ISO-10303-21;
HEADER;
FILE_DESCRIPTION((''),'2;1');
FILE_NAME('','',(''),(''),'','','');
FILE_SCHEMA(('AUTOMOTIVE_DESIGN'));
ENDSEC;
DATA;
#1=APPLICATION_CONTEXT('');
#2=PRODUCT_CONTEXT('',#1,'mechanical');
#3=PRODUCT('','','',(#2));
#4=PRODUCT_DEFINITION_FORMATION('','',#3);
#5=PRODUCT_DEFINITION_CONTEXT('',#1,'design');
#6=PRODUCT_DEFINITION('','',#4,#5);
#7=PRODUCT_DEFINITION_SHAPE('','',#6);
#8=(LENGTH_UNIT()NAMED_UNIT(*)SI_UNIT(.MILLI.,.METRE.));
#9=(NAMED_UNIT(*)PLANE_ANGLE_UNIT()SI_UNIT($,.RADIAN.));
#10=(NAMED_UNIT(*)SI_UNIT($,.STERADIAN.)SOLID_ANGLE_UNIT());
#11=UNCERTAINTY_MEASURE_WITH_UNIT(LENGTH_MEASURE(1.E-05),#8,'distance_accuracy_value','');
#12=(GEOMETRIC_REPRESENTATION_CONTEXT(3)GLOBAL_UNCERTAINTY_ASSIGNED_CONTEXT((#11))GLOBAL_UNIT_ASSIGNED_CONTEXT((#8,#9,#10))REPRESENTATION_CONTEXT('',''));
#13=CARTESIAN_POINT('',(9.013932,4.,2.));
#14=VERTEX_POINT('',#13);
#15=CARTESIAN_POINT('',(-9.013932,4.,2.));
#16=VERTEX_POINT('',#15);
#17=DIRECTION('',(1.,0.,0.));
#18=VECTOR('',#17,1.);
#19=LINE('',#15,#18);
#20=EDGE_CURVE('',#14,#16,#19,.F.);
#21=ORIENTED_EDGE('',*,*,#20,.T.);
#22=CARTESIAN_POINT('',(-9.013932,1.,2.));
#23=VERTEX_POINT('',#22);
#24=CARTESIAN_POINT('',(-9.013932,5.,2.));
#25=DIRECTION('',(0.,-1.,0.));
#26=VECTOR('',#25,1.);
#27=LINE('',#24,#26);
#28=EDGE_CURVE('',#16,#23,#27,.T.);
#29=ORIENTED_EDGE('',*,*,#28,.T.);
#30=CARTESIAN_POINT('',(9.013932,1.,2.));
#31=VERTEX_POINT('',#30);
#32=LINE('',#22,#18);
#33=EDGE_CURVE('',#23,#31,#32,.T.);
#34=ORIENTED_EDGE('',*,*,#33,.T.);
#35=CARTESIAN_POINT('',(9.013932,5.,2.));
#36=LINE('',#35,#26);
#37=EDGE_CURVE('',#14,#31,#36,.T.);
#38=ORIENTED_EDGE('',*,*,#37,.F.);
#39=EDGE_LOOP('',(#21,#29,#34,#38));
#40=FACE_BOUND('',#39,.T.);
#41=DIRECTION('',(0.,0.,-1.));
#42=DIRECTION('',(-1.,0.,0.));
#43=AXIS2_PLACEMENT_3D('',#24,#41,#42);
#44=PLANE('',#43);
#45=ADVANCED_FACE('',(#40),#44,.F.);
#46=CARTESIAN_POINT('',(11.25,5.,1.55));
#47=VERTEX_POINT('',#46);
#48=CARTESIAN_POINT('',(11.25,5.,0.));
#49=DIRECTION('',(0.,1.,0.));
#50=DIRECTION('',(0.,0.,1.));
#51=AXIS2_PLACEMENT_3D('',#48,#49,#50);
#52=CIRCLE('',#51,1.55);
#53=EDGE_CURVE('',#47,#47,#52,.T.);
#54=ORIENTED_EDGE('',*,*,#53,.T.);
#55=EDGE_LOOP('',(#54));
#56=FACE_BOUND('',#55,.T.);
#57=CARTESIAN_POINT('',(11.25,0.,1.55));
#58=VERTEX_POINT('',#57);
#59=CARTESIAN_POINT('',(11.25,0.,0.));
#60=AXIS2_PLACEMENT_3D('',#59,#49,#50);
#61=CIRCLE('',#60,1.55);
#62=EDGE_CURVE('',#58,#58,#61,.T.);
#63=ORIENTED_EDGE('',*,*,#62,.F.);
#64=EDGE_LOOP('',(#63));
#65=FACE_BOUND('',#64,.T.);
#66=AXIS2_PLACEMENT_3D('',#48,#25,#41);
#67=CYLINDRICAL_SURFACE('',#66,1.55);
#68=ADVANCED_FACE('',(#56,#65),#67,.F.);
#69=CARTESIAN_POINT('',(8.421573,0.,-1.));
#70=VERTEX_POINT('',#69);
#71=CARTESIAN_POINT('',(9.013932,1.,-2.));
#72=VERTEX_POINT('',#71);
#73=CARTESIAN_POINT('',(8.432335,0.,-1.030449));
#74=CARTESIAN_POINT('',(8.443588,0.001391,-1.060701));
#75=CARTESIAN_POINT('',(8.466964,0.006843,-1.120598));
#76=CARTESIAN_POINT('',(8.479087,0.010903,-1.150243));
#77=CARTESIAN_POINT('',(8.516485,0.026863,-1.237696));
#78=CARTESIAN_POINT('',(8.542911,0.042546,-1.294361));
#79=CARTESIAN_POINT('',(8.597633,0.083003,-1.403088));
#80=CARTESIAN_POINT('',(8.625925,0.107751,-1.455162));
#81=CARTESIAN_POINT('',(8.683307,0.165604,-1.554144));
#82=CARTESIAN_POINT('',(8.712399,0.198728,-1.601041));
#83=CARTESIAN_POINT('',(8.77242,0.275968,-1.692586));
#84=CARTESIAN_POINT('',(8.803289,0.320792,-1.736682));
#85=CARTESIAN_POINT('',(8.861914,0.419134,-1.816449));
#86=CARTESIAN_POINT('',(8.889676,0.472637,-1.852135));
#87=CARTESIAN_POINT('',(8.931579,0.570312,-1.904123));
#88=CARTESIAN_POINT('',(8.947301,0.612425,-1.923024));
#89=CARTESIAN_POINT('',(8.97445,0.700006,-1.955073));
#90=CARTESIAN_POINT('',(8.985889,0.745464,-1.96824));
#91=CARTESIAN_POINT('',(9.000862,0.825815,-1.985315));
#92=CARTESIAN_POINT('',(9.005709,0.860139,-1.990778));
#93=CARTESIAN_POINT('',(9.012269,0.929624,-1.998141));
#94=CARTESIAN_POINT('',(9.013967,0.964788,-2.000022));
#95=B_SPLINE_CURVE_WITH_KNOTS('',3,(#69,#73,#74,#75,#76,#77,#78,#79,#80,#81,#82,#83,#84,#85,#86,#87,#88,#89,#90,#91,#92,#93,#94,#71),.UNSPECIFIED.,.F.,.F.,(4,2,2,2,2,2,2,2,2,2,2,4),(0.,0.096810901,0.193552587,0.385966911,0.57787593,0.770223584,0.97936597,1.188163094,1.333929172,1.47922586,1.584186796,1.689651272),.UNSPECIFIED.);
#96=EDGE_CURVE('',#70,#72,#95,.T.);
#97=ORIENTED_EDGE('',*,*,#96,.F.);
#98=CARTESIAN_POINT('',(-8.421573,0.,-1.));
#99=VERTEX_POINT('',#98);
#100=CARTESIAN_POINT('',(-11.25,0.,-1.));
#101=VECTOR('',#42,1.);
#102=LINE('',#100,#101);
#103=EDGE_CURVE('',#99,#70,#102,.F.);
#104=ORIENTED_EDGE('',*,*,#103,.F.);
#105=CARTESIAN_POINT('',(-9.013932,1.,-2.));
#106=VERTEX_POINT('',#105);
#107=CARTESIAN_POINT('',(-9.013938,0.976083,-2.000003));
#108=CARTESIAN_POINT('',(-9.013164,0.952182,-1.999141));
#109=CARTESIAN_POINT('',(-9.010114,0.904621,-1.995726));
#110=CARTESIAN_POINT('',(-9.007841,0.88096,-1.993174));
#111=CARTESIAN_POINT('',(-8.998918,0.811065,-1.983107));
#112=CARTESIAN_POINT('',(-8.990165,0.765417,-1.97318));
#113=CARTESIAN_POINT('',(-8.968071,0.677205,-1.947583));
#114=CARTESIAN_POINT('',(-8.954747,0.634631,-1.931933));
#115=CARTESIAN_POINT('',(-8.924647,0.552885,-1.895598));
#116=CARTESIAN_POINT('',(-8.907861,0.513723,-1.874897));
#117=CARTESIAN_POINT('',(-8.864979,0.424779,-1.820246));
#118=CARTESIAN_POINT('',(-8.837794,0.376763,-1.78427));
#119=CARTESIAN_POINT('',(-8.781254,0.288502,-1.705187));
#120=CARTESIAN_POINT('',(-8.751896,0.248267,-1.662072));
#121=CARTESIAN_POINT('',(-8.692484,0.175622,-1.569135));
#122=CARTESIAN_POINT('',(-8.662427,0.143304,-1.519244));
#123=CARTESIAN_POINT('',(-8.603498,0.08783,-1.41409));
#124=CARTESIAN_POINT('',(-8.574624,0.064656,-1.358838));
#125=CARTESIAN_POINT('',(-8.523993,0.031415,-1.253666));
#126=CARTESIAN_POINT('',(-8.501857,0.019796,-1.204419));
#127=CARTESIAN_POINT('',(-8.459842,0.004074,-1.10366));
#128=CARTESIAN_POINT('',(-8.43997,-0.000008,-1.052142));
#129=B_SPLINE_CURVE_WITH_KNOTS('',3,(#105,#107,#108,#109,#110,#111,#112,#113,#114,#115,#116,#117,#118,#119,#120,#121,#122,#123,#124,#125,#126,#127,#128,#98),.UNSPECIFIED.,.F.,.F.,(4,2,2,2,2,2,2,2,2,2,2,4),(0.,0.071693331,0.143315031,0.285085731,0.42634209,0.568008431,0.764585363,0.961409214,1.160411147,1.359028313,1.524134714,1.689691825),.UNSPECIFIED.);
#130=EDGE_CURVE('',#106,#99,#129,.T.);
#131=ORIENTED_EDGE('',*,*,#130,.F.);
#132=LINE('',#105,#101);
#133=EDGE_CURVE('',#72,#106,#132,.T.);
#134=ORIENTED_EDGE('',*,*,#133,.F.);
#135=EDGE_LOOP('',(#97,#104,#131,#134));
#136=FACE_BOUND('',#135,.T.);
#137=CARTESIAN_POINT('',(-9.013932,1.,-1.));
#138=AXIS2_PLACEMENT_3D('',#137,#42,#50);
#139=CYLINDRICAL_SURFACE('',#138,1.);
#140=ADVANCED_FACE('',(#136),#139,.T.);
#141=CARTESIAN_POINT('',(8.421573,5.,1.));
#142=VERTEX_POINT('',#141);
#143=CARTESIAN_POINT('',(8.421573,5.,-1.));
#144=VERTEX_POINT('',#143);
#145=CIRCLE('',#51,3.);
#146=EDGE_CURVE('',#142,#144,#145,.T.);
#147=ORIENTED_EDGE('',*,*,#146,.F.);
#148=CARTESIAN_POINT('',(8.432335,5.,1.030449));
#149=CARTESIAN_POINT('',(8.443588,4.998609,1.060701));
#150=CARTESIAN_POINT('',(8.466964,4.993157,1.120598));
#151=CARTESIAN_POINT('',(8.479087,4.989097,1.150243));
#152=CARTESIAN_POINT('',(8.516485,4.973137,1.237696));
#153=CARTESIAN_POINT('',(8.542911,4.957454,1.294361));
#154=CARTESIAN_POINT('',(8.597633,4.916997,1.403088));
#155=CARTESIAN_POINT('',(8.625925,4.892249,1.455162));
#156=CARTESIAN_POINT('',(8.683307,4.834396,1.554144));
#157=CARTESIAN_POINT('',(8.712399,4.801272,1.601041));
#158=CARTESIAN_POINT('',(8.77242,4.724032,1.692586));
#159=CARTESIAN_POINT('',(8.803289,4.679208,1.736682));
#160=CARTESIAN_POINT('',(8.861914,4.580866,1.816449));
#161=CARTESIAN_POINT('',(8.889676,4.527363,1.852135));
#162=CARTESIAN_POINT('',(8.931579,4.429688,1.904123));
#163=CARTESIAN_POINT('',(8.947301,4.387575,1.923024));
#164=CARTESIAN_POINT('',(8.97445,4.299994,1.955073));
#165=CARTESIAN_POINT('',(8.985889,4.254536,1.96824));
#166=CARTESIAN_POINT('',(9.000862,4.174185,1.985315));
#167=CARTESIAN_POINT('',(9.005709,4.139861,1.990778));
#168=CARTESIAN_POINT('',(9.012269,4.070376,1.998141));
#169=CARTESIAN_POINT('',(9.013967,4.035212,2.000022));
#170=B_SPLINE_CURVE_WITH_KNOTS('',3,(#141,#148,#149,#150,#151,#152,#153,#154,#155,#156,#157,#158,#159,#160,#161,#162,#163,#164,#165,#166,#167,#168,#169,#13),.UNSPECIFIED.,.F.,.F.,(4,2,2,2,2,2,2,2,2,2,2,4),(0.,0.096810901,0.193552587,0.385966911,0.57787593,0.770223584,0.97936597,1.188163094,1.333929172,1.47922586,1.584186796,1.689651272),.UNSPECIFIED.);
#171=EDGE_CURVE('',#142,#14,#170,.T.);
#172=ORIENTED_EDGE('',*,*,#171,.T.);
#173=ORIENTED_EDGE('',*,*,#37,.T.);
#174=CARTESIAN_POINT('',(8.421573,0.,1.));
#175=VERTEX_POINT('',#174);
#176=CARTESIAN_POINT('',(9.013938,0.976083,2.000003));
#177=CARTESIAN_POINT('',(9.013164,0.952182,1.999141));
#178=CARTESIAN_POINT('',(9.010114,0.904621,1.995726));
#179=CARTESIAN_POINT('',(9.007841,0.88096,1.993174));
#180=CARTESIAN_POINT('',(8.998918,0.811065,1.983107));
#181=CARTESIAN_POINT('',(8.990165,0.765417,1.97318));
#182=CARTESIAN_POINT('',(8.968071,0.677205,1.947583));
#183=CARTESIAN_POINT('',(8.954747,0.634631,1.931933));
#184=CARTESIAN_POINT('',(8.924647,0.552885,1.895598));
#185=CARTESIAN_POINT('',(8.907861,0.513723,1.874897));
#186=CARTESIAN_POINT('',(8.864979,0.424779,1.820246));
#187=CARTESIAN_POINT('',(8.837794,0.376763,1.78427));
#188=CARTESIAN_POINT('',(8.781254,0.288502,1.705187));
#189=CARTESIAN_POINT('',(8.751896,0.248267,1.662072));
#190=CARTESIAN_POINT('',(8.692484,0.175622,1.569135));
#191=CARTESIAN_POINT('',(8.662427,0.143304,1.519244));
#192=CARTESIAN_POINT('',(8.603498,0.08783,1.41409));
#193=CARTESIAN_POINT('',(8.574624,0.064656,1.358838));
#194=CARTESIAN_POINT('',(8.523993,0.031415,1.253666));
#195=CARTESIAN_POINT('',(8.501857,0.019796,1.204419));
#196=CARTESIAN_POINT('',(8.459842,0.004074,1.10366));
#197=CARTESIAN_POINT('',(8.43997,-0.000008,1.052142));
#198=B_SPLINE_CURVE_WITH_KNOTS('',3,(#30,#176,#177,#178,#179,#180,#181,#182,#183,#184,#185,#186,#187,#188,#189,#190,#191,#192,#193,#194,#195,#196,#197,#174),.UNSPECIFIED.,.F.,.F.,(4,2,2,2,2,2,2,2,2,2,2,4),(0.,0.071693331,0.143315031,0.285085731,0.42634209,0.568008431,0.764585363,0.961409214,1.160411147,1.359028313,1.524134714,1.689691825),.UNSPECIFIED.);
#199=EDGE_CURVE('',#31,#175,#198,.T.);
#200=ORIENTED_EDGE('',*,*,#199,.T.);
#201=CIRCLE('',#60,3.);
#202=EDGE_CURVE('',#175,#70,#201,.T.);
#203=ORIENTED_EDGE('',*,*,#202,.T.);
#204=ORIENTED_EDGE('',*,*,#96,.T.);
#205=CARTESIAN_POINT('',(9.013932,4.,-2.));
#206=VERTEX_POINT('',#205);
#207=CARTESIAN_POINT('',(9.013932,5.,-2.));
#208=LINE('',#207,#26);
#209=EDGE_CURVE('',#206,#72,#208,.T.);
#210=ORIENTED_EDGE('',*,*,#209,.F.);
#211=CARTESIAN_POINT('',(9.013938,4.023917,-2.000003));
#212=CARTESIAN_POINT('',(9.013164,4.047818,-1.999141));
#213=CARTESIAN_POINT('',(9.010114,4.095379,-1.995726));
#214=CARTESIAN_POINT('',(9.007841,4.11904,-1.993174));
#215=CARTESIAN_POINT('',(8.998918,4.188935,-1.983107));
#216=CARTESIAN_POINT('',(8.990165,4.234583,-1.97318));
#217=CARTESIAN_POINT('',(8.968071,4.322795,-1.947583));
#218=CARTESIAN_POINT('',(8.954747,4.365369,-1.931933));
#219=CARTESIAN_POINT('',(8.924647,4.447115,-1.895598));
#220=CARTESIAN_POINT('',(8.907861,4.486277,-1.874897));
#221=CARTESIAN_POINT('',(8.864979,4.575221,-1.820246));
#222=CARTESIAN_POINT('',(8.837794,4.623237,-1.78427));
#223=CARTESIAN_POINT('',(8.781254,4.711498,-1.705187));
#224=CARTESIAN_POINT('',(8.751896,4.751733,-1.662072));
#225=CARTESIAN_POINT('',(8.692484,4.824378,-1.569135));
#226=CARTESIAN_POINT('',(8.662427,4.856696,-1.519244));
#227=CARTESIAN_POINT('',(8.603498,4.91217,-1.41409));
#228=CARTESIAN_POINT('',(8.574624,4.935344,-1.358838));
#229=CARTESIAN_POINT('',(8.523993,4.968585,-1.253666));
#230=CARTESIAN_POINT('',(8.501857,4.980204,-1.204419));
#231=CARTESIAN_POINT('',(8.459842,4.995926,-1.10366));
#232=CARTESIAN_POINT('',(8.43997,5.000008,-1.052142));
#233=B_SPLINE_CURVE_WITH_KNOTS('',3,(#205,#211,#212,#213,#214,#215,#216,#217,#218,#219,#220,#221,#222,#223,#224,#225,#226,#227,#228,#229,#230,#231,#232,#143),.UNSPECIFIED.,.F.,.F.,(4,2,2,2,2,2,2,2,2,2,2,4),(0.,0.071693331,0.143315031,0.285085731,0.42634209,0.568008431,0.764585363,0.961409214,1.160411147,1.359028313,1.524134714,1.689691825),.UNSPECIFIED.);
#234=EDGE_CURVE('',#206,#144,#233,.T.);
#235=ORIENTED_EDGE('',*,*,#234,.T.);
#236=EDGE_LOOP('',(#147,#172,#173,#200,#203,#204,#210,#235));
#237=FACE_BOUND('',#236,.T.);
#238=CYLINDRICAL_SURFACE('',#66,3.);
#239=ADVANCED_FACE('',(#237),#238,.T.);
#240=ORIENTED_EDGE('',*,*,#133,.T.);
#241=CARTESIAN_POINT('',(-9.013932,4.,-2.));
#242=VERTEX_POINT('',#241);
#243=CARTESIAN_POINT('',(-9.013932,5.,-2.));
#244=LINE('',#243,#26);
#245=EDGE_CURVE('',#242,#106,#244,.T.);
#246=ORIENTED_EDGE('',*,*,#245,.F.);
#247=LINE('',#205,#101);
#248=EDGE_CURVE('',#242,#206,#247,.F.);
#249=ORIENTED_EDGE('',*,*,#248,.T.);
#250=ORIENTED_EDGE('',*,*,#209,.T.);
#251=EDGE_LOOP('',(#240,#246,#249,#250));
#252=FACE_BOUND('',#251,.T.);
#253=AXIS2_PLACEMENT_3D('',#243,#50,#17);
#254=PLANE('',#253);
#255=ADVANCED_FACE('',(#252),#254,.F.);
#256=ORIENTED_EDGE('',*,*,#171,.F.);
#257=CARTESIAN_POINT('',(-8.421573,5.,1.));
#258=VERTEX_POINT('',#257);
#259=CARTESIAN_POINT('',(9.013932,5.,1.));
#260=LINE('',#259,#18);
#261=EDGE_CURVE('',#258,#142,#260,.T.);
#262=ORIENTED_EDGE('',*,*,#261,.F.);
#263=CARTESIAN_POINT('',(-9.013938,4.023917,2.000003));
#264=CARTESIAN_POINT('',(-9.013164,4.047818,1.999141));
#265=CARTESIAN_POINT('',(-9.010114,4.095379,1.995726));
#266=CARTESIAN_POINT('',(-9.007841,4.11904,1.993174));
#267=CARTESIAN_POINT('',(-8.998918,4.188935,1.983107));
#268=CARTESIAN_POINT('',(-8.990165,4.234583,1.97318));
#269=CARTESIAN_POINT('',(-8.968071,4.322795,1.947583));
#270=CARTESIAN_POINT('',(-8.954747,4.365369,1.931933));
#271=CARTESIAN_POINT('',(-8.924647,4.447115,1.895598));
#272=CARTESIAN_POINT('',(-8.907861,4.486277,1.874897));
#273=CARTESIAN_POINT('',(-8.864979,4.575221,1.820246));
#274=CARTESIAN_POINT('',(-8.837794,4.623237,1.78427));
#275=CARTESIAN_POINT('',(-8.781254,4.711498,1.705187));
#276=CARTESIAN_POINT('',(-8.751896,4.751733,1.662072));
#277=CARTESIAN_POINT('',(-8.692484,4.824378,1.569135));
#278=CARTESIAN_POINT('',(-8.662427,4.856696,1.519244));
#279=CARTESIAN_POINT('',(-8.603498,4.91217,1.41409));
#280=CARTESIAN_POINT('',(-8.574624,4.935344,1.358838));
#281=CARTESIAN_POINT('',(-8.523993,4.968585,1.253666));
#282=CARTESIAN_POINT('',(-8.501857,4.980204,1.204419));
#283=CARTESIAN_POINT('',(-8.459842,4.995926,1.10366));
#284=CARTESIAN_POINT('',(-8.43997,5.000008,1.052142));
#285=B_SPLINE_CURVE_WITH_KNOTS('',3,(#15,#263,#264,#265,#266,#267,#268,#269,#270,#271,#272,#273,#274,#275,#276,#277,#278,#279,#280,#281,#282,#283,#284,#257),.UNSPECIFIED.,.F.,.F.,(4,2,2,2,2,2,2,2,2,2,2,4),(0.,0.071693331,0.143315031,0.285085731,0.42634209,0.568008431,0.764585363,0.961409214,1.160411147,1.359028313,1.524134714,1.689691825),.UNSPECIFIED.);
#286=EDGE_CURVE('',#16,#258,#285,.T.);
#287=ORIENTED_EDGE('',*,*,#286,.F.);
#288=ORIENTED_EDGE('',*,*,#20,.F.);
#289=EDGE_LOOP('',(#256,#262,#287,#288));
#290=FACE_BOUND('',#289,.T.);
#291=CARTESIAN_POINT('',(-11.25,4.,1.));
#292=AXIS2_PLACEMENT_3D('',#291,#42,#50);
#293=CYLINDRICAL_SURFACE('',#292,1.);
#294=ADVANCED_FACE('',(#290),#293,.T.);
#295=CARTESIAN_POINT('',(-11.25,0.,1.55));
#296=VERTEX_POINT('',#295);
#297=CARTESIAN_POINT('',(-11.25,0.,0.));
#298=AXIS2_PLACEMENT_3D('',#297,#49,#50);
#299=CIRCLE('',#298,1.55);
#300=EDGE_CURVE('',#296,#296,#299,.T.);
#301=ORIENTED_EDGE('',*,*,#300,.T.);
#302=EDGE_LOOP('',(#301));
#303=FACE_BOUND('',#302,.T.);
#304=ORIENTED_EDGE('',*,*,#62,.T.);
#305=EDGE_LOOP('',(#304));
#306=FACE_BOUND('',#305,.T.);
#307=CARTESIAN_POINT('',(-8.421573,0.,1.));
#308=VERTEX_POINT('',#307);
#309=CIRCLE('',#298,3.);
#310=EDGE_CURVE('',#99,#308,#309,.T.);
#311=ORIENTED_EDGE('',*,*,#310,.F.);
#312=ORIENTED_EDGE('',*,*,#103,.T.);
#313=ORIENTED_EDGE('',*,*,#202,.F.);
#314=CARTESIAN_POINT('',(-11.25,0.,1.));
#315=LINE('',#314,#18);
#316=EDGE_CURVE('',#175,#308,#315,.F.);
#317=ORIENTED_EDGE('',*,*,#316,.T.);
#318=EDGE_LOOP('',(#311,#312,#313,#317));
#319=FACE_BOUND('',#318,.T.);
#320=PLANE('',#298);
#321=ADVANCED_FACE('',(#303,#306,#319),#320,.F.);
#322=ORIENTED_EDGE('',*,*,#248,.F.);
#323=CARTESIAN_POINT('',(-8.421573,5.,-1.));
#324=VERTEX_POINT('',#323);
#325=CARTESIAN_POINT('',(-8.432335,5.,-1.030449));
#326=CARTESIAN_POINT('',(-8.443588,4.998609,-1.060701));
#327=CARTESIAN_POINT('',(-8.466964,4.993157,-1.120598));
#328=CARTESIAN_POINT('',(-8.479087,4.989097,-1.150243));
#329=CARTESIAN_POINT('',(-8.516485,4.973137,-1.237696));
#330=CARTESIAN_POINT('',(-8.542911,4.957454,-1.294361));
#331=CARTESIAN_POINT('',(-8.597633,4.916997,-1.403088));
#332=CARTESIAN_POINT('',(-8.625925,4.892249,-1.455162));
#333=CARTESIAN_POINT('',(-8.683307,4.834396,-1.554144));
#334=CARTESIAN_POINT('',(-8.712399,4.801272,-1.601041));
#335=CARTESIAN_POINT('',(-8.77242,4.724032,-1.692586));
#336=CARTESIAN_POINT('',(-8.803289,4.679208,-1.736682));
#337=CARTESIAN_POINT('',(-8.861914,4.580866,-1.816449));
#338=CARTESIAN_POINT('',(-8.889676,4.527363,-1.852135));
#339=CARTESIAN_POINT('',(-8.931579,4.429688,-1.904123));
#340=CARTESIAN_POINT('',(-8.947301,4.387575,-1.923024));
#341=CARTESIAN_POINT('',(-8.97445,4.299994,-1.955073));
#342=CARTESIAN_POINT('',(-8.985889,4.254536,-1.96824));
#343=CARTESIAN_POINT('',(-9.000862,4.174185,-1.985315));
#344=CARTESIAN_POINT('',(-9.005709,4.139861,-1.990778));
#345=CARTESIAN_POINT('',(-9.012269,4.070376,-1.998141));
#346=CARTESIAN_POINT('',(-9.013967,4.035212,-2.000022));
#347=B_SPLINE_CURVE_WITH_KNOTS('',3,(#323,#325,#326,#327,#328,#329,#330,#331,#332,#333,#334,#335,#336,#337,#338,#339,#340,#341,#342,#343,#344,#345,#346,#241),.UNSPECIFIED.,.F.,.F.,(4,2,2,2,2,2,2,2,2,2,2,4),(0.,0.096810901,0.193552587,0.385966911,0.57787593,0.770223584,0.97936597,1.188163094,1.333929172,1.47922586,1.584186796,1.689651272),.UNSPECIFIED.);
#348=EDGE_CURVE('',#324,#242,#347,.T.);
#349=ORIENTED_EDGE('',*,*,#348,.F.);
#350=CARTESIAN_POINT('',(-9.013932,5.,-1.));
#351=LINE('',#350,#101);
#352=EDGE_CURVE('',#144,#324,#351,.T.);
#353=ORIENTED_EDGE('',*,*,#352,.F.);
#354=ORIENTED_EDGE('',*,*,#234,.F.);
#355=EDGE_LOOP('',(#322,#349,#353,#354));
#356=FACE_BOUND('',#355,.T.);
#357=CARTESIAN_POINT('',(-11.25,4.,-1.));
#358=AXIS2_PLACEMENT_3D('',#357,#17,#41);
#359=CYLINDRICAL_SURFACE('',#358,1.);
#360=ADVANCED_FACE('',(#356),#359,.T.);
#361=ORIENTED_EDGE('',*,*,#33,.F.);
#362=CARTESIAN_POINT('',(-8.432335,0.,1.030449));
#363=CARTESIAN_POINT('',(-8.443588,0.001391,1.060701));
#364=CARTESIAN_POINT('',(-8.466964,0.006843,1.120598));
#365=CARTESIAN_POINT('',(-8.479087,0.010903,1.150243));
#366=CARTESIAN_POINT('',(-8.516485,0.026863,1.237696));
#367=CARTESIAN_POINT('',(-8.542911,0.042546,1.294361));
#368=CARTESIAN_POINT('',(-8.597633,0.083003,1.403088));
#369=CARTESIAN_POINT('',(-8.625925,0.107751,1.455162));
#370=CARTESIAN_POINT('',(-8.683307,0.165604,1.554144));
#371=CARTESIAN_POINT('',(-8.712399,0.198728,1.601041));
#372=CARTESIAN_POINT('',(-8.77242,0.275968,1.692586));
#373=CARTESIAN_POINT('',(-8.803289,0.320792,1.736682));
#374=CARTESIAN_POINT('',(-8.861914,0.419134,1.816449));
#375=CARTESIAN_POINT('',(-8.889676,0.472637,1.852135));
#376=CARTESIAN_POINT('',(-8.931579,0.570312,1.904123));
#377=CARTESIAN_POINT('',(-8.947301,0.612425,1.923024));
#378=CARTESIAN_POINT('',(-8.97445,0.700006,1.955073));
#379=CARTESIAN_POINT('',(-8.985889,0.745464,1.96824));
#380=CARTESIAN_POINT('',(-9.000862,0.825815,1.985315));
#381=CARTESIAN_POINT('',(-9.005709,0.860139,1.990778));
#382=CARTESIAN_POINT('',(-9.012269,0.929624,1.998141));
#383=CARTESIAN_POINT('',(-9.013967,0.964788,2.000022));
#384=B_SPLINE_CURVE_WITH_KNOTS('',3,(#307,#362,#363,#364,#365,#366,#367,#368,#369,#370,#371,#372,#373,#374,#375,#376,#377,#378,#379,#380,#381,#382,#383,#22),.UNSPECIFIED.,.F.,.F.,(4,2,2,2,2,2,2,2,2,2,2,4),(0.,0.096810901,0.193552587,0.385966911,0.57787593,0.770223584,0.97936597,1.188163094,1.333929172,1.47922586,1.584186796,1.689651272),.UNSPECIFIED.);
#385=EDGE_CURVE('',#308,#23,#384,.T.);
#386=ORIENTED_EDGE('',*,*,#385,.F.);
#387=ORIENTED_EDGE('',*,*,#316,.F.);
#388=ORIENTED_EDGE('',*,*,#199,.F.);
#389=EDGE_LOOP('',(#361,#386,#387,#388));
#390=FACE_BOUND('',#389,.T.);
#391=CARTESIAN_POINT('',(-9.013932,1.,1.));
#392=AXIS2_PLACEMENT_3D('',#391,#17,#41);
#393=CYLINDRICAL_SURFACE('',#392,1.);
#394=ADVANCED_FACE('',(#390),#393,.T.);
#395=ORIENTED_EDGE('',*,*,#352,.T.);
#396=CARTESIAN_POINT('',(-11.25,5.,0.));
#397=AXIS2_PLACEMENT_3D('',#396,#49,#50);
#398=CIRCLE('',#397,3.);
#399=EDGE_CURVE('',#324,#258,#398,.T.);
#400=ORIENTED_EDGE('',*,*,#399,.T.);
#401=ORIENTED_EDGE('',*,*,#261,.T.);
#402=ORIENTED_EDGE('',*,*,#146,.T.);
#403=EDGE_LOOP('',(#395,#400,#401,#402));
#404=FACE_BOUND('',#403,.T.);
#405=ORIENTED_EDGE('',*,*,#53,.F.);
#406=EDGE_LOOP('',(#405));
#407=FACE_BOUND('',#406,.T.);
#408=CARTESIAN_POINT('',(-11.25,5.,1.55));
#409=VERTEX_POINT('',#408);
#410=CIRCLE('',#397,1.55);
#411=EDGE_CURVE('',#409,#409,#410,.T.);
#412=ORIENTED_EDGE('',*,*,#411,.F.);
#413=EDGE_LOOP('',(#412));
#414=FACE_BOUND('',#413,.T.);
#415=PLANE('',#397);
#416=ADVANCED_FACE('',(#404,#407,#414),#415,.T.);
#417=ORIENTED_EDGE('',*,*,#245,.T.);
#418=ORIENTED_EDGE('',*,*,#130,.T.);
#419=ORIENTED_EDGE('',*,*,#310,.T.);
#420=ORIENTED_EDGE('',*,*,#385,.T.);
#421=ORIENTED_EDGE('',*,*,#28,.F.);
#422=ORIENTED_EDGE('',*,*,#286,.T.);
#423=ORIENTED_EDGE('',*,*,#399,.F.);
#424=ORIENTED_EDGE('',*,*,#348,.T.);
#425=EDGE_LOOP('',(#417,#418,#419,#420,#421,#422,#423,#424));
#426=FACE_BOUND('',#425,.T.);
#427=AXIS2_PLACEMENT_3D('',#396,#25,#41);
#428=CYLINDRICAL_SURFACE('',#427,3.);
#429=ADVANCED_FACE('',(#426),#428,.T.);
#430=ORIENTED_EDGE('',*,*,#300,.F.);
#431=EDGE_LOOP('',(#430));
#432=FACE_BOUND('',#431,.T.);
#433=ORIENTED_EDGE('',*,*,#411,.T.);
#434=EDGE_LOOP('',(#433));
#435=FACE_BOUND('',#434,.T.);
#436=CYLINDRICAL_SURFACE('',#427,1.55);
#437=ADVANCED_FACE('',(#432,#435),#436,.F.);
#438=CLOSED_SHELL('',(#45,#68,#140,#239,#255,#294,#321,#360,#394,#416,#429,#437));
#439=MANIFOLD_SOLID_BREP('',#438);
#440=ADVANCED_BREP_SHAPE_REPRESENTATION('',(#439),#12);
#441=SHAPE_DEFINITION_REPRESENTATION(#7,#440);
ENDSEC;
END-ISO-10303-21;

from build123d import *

# Parameters (mm, degrees)
SKETCH_1_R      = 1.55
EXTRUDE_1_DEPTH = 5
FILLET_1_R      = 1


with BuildPart() as part:
    # Эскиз1 → Бобышка-Вытянуть1 (new body)
    with BuildSketch(Plane(origin=(0, 0, 0), x_dir=(1, 0, 0), z_dir=(0, 1, 0))):
        with BuildLine():
            Line((-9.013932023, 2), (9.013932023, 2))
            ThreePointArc((9.013932023, 2), (14.25, 0), (9.013932023, -2))
            Line((9.013932023, -2), (-9.013932023, -2))
            ThreePointArc((-9.013932023, -2), (-14.25, 0), (-9.013932023, 2))
        make_face()
        with Locations(Location((-11.25, 0, 0), (0, 0, 270))):
            Circle(SKETCH_1_R, mode=Mode.SUBTRACT)
        with Locations(Location((11.25, 0, 0), (0, 0, 270))):
            Circle(SKETCH_1_R, mode=Mode.SUBTRACT)
    extrude(amount=EXTRUDE_1_DEPTH)

    # Скругление1
    fillet_1_edges = [part.edges().sort_by_distance(p)[0] for p in [
        (0, 5, -2),
        (0, 0, -2),
        (0, 0, 2),
        (0, 5, 2),
    ]]
    fillet(fillet_1_edges, radius=FILLET_1_R)


solid = part.part
